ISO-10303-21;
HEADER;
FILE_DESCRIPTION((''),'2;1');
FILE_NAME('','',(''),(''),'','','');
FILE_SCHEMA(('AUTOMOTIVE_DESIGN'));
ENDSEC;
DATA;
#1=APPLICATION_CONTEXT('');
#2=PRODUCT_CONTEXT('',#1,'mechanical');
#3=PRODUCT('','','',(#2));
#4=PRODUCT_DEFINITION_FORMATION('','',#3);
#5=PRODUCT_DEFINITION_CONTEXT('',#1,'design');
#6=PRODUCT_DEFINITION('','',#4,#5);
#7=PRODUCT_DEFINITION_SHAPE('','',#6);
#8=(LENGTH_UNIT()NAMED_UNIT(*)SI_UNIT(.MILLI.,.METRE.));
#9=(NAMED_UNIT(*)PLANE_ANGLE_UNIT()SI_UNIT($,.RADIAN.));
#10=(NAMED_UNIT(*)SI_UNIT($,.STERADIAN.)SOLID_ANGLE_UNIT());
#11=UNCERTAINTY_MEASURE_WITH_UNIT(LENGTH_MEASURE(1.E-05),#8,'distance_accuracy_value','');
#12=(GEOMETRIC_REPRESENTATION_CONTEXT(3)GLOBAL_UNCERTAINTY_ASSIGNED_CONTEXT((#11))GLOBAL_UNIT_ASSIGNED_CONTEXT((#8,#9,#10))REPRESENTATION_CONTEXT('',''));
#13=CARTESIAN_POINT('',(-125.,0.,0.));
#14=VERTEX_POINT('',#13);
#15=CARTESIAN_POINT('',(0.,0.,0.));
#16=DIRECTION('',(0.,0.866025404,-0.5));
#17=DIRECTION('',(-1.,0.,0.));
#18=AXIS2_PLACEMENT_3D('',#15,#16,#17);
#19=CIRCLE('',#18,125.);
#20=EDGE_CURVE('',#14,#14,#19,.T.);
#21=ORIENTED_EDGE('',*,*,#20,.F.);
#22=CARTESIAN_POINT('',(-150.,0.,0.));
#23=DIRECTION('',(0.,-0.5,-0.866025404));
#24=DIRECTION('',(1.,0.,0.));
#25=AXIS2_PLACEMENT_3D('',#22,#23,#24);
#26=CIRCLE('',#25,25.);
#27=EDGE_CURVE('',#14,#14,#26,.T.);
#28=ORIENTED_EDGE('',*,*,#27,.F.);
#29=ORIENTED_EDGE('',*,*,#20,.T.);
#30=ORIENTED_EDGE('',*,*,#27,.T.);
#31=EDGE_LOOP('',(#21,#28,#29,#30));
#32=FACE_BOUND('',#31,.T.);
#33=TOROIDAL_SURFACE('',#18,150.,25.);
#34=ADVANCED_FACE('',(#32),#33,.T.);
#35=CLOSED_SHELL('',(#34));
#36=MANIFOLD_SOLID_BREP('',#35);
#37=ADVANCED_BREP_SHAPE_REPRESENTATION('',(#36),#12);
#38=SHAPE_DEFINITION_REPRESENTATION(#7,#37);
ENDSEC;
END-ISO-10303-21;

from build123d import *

# Parameters (mm, degrees)
F3_R = 25


with BuildPart() as f4:
    # F3 (on line) → F4 (revolve)
    with BuildSketch(Plane(origin=(0, 0, 0), x_dir=(1, 0, 0), z_dir=(0, -0.5, -0.8660254038))):
        with Locations((-150, 0)):
            Circle(F3_R)
    revolve(axis=Axis((0, -3.9080428883, 2.2563096136), (0, 0.8660254038, -0.5)))


solid = f4.part
